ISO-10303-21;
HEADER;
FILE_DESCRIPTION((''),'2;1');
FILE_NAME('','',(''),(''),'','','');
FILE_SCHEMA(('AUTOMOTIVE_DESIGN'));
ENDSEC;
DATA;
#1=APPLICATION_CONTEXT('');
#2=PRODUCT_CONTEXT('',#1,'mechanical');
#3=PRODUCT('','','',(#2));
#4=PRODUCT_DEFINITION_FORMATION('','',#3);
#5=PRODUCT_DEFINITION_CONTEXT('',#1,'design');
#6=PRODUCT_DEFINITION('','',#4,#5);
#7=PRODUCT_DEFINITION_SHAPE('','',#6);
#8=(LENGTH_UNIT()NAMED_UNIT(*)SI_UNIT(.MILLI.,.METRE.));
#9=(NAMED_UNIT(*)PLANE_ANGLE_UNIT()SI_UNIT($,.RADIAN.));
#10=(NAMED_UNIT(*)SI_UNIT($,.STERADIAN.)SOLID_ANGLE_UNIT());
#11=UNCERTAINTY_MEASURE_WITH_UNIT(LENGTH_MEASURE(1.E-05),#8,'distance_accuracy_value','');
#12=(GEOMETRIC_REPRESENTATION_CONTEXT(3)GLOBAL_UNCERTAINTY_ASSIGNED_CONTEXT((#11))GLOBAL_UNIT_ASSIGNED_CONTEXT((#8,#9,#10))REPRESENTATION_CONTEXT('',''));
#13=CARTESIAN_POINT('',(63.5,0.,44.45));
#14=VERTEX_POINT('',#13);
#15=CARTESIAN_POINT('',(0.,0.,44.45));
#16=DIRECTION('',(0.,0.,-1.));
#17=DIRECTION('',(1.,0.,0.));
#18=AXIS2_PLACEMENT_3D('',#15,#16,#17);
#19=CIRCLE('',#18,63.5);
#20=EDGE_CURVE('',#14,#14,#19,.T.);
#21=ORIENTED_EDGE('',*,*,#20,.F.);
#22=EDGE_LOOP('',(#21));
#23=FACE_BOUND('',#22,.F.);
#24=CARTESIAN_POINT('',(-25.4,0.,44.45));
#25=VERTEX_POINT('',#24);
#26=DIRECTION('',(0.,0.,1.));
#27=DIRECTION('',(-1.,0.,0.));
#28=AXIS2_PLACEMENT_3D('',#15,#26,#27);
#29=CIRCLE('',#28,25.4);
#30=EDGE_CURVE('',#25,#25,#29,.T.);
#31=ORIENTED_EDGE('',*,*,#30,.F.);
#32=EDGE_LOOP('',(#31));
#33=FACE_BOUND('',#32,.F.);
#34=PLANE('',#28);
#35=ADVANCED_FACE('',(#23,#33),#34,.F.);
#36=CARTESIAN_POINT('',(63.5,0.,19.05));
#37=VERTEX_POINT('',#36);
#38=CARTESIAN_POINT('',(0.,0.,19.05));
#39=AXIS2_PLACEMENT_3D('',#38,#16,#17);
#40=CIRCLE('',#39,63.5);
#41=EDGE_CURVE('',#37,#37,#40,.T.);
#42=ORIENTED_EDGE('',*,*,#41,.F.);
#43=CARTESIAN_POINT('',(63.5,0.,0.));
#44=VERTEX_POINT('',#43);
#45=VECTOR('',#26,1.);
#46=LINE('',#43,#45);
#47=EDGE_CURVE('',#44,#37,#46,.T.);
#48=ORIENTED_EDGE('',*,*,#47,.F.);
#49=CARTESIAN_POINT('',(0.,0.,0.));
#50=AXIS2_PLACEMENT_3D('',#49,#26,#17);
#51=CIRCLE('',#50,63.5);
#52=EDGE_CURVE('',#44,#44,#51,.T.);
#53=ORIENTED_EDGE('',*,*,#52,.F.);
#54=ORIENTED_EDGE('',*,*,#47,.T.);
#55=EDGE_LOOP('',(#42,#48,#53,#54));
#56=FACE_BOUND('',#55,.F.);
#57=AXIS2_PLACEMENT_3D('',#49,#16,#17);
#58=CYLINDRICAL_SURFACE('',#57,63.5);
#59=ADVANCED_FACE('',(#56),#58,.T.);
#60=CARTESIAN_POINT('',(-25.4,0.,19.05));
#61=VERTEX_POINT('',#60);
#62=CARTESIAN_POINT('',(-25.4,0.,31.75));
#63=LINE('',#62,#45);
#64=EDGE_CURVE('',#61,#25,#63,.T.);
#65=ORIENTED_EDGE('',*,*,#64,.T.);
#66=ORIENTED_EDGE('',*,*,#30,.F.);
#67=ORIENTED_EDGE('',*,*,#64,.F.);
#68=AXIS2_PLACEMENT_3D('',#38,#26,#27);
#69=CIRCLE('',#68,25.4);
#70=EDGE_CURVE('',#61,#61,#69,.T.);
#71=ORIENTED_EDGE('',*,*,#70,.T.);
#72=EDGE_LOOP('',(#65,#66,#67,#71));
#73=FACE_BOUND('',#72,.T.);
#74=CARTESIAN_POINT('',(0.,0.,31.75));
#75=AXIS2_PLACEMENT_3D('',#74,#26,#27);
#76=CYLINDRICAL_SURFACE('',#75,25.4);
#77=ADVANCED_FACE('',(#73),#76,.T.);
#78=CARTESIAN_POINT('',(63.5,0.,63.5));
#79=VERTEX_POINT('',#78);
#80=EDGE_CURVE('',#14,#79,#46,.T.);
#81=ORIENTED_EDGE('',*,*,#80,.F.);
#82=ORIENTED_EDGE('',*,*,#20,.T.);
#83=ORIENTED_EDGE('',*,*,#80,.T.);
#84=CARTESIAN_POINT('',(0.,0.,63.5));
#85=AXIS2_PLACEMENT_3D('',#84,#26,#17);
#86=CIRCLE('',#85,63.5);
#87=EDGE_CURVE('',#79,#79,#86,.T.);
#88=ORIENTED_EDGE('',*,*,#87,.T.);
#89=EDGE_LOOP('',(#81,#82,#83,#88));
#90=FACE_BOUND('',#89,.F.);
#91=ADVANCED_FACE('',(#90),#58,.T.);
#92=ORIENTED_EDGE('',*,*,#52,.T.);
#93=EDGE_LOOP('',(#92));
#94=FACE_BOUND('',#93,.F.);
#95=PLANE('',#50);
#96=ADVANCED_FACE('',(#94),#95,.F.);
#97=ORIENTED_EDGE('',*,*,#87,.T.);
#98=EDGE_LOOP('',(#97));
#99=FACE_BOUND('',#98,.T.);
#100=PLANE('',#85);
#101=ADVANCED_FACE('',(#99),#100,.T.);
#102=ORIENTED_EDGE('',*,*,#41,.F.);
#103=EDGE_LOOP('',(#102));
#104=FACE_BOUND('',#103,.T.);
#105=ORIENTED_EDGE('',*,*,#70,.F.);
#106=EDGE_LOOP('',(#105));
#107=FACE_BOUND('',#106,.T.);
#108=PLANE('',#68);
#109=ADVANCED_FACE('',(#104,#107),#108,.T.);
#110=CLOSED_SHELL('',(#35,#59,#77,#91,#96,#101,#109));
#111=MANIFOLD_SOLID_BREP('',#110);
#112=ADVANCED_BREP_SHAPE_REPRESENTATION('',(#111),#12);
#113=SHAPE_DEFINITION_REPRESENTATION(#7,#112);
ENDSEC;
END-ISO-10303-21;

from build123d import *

# Parameters (mm, degrees)
F0_R     = 63.5
F1_DEPTH = 63.5
F2_W     = 38.1
F2_H     = 25.4


with BuildPart() as f1:
    # F0 (on Top) → F1 (new body)
    with BuildSketch(Plane.XY):
        Circle(F0_R)
    extrude(amount=F1_DEPTH)

    # F2 (on Front) → F3 (revolve, cut)
    with BuildSketch(Plane.XZ):
        with Locations((-44.45, 31.75)):
            Rectangle(F2_W, F2_H)
    revolve(axis=Axis((0, 0, 31.75), (0, 0, 1)), mode=Mode.SUBTRACT)


solid = f1.part
